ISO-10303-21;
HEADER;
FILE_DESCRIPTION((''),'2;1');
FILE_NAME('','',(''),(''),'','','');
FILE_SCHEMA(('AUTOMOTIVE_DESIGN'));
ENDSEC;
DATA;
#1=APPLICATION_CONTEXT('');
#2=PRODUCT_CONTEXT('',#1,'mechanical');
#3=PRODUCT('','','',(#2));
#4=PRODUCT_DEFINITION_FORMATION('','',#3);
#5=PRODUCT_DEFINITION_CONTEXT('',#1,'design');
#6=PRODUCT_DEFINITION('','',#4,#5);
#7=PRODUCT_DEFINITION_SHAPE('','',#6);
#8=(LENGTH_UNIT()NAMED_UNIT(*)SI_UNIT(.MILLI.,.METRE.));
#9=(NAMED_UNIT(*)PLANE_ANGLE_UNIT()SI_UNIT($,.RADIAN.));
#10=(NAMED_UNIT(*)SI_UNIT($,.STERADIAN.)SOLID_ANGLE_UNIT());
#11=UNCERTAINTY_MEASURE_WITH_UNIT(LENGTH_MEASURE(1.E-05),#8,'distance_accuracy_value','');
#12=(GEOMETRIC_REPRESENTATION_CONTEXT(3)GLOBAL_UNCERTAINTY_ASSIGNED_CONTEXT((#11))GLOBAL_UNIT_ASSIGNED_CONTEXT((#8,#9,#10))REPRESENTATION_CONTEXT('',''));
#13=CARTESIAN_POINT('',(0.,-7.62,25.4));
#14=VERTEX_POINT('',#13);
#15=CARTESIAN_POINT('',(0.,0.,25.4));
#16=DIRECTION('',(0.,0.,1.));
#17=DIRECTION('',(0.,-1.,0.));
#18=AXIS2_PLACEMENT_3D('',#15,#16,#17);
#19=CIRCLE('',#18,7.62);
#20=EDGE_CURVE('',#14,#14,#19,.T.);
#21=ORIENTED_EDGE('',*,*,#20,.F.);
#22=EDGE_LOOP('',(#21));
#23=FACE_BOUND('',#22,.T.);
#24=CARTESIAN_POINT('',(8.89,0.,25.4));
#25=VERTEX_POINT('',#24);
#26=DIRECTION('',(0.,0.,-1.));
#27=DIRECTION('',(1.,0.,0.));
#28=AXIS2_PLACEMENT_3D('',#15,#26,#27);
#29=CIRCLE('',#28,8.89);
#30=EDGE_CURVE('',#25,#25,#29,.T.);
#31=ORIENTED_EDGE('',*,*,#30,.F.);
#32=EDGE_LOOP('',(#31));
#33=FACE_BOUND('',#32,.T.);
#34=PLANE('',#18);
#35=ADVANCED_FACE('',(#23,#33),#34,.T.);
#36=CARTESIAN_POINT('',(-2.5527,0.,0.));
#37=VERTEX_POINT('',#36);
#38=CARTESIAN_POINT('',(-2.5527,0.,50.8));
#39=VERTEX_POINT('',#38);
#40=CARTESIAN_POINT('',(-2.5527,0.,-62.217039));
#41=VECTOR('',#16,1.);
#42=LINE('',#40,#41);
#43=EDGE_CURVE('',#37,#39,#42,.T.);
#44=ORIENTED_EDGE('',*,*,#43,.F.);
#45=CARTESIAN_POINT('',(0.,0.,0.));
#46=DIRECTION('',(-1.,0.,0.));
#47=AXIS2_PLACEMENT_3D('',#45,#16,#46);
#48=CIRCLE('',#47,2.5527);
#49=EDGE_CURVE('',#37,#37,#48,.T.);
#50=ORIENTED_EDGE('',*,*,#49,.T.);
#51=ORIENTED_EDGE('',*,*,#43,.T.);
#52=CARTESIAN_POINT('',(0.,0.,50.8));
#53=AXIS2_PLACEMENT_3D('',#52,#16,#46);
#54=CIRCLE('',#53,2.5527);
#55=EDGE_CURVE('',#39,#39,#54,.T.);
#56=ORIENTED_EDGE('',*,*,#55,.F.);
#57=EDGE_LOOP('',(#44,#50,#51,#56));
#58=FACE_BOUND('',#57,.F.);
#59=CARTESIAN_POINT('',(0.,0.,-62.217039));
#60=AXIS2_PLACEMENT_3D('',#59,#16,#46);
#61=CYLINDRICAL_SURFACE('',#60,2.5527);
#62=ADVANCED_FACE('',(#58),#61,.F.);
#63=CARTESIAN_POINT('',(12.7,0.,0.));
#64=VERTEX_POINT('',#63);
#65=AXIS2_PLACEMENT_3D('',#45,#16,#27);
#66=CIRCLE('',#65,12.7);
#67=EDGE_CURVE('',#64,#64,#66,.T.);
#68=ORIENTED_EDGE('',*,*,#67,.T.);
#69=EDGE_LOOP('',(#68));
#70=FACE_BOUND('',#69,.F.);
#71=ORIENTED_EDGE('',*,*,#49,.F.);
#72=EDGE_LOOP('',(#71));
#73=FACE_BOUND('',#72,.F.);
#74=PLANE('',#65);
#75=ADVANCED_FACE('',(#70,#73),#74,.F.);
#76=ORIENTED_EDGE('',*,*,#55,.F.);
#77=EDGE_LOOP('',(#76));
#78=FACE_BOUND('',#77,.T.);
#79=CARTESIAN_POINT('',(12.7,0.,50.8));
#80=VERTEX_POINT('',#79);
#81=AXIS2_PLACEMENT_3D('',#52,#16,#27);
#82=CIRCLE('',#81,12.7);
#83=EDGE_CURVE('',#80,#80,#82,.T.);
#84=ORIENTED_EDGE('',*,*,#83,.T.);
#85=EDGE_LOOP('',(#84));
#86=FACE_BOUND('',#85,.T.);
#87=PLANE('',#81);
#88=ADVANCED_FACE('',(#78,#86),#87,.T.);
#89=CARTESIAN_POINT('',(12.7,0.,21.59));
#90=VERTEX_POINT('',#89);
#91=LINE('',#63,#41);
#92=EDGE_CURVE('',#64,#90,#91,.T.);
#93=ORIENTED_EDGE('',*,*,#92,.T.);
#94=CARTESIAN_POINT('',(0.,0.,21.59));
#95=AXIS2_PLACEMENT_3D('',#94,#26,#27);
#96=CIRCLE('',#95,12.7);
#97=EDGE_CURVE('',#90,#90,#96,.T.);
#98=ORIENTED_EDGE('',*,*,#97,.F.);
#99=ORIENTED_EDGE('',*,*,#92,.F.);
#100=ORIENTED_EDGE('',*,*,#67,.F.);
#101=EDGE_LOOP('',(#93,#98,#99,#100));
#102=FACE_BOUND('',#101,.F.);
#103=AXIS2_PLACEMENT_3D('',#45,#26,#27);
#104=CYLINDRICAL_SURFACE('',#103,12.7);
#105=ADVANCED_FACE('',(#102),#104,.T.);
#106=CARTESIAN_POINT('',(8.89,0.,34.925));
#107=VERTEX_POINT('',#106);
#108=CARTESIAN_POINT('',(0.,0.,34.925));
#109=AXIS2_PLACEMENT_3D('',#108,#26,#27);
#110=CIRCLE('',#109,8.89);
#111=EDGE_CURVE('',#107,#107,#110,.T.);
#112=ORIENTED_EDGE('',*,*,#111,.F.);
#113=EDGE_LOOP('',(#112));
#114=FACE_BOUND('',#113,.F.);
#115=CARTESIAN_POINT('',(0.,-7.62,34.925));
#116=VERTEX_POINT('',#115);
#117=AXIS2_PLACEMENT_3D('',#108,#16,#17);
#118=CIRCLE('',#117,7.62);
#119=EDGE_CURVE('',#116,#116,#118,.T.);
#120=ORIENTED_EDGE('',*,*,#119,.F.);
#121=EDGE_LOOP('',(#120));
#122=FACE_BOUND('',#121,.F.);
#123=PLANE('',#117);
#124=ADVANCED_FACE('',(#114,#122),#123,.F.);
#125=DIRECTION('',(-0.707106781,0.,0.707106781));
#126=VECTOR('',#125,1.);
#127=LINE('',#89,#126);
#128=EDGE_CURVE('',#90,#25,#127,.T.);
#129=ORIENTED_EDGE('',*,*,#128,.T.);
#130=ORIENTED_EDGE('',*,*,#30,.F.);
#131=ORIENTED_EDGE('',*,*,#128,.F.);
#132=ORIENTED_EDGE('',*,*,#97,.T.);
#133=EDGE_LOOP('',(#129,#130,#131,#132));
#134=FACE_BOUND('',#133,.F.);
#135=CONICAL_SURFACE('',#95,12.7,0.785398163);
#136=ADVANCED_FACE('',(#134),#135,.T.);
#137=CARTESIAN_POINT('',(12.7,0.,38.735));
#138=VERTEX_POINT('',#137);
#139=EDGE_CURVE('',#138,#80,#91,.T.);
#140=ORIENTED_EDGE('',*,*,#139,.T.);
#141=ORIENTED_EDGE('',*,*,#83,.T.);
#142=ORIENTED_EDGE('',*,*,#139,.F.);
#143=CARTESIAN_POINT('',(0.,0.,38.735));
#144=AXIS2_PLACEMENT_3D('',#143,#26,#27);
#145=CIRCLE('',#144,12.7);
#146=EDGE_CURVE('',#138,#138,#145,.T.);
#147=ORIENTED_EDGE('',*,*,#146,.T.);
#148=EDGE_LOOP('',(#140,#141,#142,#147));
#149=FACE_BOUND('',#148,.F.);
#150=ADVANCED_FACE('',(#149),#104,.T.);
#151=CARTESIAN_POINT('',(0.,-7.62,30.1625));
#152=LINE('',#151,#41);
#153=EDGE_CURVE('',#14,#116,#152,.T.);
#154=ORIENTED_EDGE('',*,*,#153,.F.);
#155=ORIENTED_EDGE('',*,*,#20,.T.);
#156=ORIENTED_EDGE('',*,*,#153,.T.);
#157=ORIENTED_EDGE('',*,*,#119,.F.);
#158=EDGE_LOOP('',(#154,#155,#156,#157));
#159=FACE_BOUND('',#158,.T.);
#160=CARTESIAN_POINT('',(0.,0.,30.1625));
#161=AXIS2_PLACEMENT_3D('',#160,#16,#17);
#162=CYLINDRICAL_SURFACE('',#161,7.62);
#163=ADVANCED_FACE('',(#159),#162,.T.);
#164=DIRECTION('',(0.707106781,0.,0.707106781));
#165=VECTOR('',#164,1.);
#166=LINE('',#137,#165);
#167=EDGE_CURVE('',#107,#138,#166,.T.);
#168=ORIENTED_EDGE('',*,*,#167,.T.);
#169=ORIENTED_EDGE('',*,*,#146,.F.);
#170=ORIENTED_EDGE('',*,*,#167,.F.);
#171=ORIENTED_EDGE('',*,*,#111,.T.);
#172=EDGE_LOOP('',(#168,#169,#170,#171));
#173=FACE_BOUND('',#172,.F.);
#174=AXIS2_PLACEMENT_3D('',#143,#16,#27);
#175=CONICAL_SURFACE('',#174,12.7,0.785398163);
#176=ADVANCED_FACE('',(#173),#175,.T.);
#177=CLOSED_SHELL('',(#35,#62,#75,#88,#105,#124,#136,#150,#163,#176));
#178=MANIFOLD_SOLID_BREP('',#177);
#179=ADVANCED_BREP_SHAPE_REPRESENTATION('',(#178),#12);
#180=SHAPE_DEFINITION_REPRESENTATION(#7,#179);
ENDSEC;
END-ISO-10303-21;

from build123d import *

# Parameters (mm, degrees)
F0_R     = 12.7
F1_DEPTH = 50.8
F2_W     = 5.08
F2_H     = 9.525
F4_SIZE  = 3.81
F6_D     = 5.1054


with BuildPart() as f1:
    # F0 (on Top) → F1 (new body)
    with BuildSketch(Plane.XY):
        Circle(F0_R)
    extrude(amount=F1_DEPTH)

    # F2 (on Right) → F3 (revolve, cut)
    with BuildSketch(Plane.YZ):
        with Locations((-10.16, 30.1625)):
            Rectangle(F2_W, F2_H)
    revolve(axis=Axis((0, 0, 34.6962809563), (0, 0, 1)), mode=Mode.SUBTRACT)

    # F4
    f4_edges = [f1.edges().sort_by_distance(p)[0] for p in [
        (-12.7, 0, 34.925),
        (-12.7, 0, 25.4),
    ]]
    chamfer(f4_edges, length=F4_SIZE)

    # F6 (through all)
    with Locations(Plane(origin=(0, 0, 0), x_dir=(1, 0, 0), z_dir=(0, 0, -1))):
        with Locations((0, 0)):
            Hole(F6_D / 2)


solid = f1.part
